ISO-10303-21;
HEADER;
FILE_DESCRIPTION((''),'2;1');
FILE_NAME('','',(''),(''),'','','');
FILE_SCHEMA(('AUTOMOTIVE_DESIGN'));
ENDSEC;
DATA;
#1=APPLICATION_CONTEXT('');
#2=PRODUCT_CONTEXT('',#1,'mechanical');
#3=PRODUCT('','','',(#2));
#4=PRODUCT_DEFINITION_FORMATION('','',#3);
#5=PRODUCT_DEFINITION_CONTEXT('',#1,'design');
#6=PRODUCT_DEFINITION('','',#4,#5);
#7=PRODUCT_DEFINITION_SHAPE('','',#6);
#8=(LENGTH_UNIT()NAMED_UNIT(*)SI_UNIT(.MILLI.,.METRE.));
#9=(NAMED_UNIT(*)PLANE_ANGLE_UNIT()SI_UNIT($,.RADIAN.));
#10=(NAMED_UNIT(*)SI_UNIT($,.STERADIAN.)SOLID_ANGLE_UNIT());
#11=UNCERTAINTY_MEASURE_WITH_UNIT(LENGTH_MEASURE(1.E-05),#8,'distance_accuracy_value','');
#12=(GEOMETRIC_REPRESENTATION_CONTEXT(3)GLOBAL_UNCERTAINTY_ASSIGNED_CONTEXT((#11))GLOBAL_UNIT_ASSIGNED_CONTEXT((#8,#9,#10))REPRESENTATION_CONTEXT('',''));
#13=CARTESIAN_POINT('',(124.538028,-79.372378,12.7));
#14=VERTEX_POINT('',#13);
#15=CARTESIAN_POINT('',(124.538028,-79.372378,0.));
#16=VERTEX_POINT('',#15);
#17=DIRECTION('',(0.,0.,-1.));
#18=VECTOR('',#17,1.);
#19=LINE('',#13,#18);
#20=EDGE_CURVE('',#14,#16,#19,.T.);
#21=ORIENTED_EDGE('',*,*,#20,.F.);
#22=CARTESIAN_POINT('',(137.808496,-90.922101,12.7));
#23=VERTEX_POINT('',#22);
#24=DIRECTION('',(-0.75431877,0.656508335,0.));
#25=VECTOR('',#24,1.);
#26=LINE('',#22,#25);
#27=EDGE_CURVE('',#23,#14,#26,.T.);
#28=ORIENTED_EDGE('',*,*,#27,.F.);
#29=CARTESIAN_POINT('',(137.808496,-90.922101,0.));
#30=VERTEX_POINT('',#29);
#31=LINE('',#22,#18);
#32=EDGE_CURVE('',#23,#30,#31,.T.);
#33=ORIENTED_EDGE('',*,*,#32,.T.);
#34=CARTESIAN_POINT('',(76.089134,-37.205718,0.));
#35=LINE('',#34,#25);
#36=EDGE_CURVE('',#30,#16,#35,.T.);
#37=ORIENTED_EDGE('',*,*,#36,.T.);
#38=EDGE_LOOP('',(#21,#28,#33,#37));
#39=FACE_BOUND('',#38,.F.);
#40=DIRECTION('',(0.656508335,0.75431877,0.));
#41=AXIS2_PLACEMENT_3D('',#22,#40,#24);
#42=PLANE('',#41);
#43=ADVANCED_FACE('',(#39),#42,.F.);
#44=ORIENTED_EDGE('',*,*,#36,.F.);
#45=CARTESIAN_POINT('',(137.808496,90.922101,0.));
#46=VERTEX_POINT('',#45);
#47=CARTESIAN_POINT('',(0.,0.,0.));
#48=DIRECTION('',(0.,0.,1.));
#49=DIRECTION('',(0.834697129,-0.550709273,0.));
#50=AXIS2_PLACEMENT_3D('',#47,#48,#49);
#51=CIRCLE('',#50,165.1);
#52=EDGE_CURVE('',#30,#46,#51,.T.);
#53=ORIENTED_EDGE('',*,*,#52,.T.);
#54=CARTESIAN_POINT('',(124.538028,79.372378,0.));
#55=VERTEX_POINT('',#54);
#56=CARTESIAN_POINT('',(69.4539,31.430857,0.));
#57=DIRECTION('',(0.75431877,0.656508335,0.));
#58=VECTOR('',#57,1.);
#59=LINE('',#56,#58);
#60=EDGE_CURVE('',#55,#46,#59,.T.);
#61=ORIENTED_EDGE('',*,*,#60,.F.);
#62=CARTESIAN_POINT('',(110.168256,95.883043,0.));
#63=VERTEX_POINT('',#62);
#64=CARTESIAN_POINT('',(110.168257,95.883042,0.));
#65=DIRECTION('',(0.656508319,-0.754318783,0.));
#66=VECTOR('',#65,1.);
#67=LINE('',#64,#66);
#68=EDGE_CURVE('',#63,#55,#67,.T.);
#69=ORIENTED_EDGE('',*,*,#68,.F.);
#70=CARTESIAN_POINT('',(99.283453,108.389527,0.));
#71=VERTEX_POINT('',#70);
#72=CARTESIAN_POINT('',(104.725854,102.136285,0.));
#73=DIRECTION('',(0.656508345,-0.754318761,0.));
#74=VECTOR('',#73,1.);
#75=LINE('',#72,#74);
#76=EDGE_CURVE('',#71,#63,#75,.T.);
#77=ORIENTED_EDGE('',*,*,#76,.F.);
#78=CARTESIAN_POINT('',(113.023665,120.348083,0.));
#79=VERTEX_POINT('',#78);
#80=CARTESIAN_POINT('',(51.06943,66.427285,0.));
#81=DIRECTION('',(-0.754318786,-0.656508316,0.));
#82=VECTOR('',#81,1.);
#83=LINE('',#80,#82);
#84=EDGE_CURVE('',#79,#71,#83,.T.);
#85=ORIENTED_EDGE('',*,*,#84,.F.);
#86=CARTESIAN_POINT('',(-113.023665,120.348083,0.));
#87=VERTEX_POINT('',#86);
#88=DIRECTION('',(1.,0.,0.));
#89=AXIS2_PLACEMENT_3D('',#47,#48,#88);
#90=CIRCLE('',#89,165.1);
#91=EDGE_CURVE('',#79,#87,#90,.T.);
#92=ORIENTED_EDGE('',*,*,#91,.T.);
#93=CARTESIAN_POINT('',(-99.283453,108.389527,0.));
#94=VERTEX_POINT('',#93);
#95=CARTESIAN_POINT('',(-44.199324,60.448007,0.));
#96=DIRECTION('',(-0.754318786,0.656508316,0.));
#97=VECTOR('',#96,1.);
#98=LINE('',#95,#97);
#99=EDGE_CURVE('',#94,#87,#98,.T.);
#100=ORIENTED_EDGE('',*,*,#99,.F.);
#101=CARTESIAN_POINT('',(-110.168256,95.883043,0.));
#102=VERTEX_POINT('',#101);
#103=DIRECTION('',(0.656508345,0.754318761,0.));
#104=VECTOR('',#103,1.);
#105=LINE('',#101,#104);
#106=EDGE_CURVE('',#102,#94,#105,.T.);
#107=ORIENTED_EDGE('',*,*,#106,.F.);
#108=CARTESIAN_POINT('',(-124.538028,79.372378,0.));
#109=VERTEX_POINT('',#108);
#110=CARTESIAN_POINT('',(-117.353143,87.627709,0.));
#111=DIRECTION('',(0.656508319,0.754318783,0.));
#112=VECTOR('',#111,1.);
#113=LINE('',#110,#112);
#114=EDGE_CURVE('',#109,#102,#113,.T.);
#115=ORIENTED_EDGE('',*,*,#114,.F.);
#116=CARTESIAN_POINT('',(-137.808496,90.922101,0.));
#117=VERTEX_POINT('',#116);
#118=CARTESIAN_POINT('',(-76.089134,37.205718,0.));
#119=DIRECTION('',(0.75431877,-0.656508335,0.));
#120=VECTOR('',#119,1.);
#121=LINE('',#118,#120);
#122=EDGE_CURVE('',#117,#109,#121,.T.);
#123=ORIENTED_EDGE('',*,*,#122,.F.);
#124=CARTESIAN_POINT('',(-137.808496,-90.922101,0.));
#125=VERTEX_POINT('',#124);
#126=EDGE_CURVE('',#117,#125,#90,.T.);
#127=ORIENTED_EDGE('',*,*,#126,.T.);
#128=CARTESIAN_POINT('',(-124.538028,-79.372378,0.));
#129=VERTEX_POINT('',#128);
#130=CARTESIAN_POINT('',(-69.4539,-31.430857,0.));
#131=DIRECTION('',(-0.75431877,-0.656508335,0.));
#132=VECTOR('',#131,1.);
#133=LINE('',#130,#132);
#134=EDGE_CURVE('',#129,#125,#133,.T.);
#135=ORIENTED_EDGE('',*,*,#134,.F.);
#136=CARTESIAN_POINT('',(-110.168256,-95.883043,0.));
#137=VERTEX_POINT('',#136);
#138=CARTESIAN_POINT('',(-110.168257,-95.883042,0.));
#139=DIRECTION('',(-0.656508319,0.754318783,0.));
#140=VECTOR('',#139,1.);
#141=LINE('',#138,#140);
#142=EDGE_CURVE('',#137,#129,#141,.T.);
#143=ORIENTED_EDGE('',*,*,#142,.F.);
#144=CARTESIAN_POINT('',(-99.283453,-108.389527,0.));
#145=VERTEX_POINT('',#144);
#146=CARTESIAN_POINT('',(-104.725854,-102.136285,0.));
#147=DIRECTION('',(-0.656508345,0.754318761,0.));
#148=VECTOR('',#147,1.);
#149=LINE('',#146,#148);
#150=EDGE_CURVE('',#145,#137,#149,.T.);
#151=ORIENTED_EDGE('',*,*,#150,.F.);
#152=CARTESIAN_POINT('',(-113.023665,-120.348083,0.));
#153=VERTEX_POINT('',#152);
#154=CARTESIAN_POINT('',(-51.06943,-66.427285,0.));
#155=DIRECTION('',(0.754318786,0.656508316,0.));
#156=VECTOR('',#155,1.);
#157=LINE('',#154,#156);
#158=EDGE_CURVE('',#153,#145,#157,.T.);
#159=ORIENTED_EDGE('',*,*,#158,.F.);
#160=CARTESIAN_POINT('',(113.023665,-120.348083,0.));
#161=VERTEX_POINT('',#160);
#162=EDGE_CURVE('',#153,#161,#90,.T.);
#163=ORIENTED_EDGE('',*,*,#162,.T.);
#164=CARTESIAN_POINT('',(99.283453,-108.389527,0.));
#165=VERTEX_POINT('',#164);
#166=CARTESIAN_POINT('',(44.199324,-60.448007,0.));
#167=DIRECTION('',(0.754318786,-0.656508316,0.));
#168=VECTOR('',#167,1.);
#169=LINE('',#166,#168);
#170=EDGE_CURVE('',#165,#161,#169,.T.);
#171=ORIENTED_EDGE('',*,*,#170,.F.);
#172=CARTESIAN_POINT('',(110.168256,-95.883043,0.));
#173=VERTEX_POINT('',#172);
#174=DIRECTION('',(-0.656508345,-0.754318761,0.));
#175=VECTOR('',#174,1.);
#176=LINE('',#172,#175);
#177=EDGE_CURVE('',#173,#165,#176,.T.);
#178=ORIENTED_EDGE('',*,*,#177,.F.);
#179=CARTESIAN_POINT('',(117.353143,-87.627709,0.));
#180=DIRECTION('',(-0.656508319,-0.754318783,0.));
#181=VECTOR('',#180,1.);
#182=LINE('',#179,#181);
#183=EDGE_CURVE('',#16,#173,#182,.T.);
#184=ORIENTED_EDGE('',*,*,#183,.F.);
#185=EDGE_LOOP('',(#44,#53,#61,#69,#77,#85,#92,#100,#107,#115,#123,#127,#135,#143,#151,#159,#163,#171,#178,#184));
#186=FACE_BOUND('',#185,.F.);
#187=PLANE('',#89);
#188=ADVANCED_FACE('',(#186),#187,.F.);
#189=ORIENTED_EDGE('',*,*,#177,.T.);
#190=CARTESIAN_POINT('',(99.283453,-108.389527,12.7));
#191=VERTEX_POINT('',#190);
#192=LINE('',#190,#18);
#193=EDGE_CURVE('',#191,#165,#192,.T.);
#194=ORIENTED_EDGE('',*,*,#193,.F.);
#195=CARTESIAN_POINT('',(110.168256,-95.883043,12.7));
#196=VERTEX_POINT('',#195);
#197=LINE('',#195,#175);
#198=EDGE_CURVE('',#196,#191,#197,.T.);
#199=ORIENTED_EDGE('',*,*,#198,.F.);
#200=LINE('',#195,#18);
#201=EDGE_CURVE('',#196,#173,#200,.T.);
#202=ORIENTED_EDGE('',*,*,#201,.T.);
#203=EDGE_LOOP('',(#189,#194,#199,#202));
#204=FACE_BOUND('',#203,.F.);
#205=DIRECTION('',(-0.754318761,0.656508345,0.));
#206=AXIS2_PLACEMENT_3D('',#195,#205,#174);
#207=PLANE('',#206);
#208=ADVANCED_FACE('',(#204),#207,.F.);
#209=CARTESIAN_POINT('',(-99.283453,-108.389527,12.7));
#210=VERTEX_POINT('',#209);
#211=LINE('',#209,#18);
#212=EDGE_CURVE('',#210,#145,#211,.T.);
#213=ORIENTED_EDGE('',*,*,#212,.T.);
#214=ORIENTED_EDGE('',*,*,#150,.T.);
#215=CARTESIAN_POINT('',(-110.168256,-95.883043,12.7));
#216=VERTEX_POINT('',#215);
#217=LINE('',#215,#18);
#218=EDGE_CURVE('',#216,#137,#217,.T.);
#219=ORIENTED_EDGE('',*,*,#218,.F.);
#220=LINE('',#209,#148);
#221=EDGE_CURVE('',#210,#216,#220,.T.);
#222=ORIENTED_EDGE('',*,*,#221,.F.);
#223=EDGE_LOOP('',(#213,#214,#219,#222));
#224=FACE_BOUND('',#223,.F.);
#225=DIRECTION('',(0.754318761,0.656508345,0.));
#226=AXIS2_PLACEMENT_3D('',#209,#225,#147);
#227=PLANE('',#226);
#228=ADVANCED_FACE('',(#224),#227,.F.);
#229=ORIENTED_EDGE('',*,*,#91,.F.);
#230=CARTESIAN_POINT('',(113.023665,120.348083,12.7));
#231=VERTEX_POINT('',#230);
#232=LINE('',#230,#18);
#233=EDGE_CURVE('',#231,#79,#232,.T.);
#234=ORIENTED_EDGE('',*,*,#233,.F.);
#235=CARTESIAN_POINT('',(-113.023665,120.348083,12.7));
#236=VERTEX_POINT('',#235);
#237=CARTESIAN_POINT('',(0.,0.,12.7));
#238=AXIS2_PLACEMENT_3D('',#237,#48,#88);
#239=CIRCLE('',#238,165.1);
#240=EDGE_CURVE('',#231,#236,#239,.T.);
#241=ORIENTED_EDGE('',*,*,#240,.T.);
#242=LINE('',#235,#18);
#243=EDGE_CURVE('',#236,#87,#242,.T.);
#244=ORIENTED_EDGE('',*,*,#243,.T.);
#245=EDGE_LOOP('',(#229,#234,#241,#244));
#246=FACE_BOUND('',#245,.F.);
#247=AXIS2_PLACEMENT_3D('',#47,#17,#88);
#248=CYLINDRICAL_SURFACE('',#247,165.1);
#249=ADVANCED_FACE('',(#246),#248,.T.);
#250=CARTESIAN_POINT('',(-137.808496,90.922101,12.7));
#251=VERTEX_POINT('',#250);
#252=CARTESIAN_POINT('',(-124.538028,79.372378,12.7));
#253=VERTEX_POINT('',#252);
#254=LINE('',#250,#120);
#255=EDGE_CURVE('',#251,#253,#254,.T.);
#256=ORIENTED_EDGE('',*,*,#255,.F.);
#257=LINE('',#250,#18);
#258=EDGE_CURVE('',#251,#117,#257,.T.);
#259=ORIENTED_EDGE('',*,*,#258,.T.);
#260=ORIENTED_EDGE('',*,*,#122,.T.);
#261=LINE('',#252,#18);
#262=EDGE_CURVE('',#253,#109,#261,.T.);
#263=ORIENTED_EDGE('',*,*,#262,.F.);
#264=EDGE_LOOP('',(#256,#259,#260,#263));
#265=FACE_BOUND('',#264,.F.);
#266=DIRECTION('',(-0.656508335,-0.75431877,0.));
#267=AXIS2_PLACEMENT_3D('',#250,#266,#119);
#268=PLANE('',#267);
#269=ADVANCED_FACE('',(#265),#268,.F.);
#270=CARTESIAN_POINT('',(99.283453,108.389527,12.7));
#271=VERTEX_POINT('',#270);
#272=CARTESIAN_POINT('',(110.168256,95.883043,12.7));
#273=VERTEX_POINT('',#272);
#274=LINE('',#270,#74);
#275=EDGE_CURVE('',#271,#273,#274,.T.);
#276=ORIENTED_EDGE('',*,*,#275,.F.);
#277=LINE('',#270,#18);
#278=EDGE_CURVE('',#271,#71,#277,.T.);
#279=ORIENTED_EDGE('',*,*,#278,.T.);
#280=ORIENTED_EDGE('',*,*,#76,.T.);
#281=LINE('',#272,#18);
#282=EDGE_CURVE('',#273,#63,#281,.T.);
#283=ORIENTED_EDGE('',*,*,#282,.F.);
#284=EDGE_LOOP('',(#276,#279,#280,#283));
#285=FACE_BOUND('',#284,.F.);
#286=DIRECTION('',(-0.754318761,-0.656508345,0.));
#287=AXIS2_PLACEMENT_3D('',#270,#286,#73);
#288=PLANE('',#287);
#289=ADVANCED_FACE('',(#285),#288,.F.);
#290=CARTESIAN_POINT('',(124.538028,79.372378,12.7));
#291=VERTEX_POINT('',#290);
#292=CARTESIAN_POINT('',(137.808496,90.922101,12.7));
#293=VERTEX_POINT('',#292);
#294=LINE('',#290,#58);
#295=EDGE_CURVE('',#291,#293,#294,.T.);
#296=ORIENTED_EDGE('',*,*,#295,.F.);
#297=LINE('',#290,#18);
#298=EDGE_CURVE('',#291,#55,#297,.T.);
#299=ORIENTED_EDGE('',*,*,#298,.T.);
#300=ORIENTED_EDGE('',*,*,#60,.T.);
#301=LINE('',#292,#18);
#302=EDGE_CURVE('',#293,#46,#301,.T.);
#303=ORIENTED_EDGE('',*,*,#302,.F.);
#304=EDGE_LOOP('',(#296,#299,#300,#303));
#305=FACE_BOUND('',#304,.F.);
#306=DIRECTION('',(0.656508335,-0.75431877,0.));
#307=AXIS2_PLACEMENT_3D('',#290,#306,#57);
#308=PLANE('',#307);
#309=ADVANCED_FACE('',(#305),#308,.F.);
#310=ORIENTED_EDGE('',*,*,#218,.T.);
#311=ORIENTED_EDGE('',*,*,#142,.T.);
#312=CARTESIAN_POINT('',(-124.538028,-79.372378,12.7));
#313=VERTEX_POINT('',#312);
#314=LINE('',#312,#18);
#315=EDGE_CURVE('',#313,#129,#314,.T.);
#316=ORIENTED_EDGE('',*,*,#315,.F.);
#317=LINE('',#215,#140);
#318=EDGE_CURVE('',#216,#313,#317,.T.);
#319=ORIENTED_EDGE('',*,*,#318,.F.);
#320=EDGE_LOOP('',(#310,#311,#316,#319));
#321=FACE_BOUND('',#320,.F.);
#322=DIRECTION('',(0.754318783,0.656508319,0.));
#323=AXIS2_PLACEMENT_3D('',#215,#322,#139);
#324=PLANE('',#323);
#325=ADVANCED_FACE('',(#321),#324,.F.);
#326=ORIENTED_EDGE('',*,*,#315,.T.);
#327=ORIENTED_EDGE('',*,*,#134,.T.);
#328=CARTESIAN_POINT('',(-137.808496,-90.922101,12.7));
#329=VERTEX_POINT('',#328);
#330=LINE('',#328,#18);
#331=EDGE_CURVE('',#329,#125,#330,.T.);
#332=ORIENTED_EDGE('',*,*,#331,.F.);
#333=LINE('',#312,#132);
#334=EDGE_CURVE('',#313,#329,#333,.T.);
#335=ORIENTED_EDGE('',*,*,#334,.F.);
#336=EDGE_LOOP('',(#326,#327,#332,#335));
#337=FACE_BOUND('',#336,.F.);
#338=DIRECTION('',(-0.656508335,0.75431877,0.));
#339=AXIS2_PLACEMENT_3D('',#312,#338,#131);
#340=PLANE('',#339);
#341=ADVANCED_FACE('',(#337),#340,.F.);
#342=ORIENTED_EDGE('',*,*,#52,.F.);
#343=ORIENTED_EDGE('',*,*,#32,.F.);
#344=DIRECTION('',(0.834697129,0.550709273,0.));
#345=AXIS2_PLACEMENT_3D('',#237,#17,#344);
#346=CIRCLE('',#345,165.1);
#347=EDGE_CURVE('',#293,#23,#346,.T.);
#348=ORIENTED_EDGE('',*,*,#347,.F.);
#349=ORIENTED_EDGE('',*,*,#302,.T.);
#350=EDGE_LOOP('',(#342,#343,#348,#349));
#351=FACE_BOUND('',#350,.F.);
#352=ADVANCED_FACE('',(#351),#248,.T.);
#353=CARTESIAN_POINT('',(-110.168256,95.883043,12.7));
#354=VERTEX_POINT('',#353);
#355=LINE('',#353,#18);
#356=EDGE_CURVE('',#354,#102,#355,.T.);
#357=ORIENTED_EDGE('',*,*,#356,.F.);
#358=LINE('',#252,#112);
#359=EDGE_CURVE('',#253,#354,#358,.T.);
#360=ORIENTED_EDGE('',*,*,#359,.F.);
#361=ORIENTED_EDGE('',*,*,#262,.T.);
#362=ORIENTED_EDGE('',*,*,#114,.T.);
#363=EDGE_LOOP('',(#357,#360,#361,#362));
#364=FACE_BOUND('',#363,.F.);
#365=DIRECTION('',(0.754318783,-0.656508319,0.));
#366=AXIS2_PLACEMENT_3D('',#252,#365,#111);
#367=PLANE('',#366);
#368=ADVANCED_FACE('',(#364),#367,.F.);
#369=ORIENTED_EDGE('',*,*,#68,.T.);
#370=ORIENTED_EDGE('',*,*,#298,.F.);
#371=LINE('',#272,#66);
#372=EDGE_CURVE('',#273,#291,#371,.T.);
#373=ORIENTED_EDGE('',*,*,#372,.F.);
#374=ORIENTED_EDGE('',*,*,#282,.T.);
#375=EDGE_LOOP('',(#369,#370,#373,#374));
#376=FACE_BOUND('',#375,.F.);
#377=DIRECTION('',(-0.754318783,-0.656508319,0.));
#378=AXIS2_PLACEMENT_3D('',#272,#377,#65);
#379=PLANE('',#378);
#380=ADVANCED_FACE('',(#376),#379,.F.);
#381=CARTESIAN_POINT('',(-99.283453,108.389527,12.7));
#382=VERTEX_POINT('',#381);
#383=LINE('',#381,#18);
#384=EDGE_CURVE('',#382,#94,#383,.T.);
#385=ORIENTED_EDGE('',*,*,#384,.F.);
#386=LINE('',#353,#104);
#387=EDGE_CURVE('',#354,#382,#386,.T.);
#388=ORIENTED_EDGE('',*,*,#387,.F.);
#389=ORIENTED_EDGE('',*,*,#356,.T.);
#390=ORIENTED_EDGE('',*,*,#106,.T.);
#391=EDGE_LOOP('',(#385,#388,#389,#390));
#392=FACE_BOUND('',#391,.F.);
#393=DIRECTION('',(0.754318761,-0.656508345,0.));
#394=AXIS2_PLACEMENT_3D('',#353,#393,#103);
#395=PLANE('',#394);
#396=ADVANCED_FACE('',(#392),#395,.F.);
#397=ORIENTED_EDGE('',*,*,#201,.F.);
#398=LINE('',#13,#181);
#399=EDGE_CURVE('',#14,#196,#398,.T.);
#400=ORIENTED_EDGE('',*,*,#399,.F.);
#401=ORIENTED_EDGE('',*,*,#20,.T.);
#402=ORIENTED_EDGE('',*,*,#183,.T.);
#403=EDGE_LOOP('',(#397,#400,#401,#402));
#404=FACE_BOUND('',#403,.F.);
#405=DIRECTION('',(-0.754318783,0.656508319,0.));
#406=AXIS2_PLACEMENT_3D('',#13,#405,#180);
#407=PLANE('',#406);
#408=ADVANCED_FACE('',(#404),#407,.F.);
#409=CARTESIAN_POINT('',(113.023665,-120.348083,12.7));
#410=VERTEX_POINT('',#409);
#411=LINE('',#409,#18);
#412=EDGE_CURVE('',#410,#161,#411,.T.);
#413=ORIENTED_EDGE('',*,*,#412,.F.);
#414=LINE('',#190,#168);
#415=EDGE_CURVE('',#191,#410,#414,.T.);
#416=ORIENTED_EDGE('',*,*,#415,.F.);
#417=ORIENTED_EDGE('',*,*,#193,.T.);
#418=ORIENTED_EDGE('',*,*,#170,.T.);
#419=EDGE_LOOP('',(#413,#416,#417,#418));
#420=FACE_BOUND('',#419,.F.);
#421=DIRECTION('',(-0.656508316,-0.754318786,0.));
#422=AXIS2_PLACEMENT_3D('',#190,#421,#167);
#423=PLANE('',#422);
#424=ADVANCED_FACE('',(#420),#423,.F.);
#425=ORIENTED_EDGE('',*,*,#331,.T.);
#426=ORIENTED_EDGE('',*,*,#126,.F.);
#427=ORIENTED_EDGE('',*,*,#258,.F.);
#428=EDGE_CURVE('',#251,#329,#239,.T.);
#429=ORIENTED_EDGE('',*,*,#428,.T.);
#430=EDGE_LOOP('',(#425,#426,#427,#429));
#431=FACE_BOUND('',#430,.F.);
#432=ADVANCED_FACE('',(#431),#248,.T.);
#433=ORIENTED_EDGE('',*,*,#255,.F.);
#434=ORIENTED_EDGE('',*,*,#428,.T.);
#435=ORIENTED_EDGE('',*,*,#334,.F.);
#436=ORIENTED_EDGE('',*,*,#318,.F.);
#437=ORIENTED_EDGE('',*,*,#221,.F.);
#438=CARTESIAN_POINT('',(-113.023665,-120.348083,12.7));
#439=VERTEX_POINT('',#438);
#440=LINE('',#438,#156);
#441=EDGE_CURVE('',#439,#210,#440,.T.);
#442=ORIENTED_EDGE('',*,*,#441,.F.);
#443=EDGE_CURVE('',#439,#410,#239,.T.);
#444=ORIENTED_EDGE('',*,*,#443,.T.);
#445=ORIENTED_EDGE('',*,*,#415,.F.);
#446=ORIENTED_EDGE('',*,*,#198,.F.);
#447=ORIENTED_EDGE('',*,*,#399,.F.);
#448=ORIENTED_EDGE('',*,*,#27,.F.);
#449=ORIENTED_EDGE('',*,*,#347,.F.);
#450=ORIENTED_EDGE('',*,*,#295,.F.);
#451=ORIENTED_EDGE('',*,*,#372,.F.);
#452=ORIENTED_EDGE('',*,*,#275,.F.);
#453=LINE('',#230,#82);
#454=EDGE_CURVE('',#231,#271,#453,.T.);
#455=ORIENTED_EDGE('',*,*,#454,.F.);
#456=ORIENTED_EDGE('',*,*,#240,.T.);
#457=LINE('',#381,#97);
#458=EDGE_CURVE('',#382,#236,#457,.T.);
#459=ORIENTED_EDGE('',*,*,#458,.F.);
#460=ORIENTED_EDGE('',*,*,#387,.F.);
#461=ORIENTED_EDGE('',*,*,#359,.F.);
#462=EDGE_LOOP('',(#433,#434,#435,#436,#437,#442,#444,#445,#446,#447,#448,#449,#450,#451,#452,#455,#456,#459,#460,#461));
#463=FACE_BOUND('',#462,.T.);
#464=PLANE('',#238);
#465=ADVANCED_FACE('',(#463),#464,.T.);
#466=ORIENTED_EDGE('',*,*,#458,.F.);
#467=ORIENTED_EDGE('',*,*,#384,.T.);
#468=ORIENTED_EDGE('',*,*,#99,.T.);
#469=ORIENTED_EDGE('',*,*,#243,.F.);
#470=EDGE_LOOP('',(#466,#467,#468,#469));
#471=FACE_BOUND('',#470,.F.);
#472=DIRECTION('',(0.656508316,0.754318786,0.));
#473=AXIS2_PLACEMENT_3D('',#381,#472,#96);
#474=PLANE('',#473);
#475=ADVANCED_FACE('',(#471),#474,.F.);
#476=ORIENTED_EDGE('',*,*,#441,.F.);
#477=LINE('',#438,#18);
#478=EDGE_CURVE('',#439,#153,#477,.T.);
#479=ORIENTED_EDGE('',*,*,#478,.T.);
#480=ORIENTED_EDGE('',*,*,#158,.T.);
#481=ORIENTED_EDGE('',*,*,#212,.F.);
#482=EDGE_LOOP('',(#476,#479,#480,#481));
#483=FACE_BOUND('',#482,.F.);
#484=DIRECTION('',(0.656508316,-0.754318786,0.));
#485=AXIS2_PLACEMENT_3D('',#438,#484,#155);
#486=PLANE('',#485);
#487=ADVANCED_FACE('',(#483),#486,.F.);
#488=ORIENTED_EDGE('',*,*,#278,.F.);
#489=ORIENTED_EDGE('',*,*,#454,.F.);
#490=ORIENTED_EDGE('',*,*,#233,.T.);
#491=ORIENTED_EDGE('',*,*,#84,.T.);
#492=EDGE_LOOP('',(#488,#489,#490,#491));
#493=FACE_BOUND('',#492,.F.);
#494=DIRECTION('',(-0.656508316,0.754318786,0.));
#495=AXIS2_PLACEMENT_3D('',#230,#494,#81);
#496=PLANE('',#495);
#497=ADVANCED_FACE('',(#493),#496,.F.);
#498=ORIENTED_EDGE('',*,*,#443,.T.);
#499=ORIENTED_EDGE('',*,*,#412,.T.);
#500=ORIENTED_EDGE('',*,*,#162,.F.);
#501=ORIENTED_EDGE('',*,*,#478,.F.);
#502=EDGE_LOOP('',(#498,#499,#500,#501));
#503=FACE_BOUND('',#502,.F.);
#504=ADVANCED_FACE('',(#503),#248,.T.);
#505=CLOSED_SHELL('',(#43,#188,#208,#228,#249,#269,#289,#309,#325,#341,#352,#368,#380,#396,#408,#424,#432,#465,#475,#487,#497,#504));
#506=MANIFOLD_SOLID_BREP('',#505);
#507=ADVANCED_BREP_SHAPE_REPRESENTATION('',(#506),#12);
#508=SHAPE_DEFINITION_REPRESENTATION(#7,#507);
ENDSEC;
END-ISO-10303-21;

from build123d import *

# Parameters (mm, degrees)
F0_R     = 165.1
F1_DEPTH = 12.7
F3_DEPTH = 25.4


with BuildPart() as f1:
    # F0 (on Top) → F1 (new body)
    with BuildSketch(Plane.XY):
        Circle(F0_R)
    extrude(amount=F1_DEPTH)

    # F2 (on face) → F3 (cut)
    with BuildSketch(Plane.XY.offset(12.7)):
        with BuildLine():
            Line((137.808496, -90.922101), (124.538028, -79.372378))
            Line((124.538028, -79.372378), (124.538028, -108.389527))
            ThreePointArc((124.538028, -108.389527), (131.463692, -99.876462), (137.808496, -90.922101))
        make_face()
        Polygon((124.538028, -108.389527), (124.538028, -79.372378), (110.168256, -95.883043), align=None)
        Polygon((110.168256, -95.883043), (99.283453, -108.389527), (124.538028, -108.389527), align=None)
        with BuildLine():
            Line((124.538028, -108.389527), (99.283453, -108.389527))
            Line((99.283453, -108.389527), (113.023665, -120.348083))
            ThreePointArc((113.023665, -120.348083), (118.931246, -114.513618), (124.538028, -108.389527))
        make_face()
        with BuildLine():
            Line((-99.283453, -108.389527), (-124.538028, -108.389527))
            ThreePointArc((-124.538028, -108.389527), (-118.931246, -114.513618), (-113.023665, -120.348083))
            Line((-113.023665, -120.348083), (-99.283453, -108.389527))
        make_face()
        Polygon((-110.168256, -95.883043), (-124.538028, -108.389527), (-99.283453, -108.389527), align=None)
        Polygon((-110.168256, -95.883043), (-124.538028, -79.372378), (-124.538028, -108.389527), align=None)
        with BuildLine():
            Line((-124.538028, -108.389527), (-124.538028, -79.372378))
            Line((-124.538028, -79.372378), (-137.808496, -90.922101))
            ThreePointArc((-137.808496, -90.922101), (-131.463692, -99.876462), (-124.538028, -108.389527))
        make_face()
        Polygon((-110.168256, 95.883043), (-124.538028, 108.389527), (-124.538028, 79.372378), align=None)
        with BuildLine():
            Line((-124.538028, 79.372378), (-124.538028, 108.389527))
            ThreePointArc((-124.538028, 108.389527), (-131.463692, 99.876462), (-137.808496, 90.922101))
            Line((-137.808496, 90.922101), (-124.538028, 79.372378))
        make_face()
        Polygon((-99.283453, 108.389527), (-124.538028, 108.389527), (-110.168256, 95.883043), align=None)
        with BuildLine():
            ThreePointArc((-113.023665, 120.348083), (-118.931246, 114.513618), (-124.538028, 108.389527))
            Line((-124.538028, 108.389527), (-99.283453, 108.389527))
            Line((-99.283453, 108.389527), (-113.023665, 120.348083))
        make_face()
        Polygon((124.538028, 108.389527), (99.283453, 108.389527), (110.168256, 95.883043), align=None)
        with BuildLine():
            Line((113.023665, 120.348083), (99.283453, 108.389527))
            Line((99.283453, 108.389527), (124.538028, 108.389527))
            ThreePointArc((124.538028, 108.389527), (118.931246, 114.513618), (113.023665, 120.348083))
        make_face()
        Polygon((124.538028, 79.372378), (124.538028, 108.389527), (110.168256, 95.883043), align=None)
        with BuildLine():
            ThreePointArc((137.808496, 90.922101), (131.463692, 99.876462), (124.538028, 108.389527))
            Line((124.538028, 108.389527), (124.538028, 79.372378))
            Line((124.538028, 79.372378), (137.808496, 90.922101))
        make_face()
    extrude(amount=-F3_DEPTH, mode=Mode.SUBTRACT)


solid = f1.part
